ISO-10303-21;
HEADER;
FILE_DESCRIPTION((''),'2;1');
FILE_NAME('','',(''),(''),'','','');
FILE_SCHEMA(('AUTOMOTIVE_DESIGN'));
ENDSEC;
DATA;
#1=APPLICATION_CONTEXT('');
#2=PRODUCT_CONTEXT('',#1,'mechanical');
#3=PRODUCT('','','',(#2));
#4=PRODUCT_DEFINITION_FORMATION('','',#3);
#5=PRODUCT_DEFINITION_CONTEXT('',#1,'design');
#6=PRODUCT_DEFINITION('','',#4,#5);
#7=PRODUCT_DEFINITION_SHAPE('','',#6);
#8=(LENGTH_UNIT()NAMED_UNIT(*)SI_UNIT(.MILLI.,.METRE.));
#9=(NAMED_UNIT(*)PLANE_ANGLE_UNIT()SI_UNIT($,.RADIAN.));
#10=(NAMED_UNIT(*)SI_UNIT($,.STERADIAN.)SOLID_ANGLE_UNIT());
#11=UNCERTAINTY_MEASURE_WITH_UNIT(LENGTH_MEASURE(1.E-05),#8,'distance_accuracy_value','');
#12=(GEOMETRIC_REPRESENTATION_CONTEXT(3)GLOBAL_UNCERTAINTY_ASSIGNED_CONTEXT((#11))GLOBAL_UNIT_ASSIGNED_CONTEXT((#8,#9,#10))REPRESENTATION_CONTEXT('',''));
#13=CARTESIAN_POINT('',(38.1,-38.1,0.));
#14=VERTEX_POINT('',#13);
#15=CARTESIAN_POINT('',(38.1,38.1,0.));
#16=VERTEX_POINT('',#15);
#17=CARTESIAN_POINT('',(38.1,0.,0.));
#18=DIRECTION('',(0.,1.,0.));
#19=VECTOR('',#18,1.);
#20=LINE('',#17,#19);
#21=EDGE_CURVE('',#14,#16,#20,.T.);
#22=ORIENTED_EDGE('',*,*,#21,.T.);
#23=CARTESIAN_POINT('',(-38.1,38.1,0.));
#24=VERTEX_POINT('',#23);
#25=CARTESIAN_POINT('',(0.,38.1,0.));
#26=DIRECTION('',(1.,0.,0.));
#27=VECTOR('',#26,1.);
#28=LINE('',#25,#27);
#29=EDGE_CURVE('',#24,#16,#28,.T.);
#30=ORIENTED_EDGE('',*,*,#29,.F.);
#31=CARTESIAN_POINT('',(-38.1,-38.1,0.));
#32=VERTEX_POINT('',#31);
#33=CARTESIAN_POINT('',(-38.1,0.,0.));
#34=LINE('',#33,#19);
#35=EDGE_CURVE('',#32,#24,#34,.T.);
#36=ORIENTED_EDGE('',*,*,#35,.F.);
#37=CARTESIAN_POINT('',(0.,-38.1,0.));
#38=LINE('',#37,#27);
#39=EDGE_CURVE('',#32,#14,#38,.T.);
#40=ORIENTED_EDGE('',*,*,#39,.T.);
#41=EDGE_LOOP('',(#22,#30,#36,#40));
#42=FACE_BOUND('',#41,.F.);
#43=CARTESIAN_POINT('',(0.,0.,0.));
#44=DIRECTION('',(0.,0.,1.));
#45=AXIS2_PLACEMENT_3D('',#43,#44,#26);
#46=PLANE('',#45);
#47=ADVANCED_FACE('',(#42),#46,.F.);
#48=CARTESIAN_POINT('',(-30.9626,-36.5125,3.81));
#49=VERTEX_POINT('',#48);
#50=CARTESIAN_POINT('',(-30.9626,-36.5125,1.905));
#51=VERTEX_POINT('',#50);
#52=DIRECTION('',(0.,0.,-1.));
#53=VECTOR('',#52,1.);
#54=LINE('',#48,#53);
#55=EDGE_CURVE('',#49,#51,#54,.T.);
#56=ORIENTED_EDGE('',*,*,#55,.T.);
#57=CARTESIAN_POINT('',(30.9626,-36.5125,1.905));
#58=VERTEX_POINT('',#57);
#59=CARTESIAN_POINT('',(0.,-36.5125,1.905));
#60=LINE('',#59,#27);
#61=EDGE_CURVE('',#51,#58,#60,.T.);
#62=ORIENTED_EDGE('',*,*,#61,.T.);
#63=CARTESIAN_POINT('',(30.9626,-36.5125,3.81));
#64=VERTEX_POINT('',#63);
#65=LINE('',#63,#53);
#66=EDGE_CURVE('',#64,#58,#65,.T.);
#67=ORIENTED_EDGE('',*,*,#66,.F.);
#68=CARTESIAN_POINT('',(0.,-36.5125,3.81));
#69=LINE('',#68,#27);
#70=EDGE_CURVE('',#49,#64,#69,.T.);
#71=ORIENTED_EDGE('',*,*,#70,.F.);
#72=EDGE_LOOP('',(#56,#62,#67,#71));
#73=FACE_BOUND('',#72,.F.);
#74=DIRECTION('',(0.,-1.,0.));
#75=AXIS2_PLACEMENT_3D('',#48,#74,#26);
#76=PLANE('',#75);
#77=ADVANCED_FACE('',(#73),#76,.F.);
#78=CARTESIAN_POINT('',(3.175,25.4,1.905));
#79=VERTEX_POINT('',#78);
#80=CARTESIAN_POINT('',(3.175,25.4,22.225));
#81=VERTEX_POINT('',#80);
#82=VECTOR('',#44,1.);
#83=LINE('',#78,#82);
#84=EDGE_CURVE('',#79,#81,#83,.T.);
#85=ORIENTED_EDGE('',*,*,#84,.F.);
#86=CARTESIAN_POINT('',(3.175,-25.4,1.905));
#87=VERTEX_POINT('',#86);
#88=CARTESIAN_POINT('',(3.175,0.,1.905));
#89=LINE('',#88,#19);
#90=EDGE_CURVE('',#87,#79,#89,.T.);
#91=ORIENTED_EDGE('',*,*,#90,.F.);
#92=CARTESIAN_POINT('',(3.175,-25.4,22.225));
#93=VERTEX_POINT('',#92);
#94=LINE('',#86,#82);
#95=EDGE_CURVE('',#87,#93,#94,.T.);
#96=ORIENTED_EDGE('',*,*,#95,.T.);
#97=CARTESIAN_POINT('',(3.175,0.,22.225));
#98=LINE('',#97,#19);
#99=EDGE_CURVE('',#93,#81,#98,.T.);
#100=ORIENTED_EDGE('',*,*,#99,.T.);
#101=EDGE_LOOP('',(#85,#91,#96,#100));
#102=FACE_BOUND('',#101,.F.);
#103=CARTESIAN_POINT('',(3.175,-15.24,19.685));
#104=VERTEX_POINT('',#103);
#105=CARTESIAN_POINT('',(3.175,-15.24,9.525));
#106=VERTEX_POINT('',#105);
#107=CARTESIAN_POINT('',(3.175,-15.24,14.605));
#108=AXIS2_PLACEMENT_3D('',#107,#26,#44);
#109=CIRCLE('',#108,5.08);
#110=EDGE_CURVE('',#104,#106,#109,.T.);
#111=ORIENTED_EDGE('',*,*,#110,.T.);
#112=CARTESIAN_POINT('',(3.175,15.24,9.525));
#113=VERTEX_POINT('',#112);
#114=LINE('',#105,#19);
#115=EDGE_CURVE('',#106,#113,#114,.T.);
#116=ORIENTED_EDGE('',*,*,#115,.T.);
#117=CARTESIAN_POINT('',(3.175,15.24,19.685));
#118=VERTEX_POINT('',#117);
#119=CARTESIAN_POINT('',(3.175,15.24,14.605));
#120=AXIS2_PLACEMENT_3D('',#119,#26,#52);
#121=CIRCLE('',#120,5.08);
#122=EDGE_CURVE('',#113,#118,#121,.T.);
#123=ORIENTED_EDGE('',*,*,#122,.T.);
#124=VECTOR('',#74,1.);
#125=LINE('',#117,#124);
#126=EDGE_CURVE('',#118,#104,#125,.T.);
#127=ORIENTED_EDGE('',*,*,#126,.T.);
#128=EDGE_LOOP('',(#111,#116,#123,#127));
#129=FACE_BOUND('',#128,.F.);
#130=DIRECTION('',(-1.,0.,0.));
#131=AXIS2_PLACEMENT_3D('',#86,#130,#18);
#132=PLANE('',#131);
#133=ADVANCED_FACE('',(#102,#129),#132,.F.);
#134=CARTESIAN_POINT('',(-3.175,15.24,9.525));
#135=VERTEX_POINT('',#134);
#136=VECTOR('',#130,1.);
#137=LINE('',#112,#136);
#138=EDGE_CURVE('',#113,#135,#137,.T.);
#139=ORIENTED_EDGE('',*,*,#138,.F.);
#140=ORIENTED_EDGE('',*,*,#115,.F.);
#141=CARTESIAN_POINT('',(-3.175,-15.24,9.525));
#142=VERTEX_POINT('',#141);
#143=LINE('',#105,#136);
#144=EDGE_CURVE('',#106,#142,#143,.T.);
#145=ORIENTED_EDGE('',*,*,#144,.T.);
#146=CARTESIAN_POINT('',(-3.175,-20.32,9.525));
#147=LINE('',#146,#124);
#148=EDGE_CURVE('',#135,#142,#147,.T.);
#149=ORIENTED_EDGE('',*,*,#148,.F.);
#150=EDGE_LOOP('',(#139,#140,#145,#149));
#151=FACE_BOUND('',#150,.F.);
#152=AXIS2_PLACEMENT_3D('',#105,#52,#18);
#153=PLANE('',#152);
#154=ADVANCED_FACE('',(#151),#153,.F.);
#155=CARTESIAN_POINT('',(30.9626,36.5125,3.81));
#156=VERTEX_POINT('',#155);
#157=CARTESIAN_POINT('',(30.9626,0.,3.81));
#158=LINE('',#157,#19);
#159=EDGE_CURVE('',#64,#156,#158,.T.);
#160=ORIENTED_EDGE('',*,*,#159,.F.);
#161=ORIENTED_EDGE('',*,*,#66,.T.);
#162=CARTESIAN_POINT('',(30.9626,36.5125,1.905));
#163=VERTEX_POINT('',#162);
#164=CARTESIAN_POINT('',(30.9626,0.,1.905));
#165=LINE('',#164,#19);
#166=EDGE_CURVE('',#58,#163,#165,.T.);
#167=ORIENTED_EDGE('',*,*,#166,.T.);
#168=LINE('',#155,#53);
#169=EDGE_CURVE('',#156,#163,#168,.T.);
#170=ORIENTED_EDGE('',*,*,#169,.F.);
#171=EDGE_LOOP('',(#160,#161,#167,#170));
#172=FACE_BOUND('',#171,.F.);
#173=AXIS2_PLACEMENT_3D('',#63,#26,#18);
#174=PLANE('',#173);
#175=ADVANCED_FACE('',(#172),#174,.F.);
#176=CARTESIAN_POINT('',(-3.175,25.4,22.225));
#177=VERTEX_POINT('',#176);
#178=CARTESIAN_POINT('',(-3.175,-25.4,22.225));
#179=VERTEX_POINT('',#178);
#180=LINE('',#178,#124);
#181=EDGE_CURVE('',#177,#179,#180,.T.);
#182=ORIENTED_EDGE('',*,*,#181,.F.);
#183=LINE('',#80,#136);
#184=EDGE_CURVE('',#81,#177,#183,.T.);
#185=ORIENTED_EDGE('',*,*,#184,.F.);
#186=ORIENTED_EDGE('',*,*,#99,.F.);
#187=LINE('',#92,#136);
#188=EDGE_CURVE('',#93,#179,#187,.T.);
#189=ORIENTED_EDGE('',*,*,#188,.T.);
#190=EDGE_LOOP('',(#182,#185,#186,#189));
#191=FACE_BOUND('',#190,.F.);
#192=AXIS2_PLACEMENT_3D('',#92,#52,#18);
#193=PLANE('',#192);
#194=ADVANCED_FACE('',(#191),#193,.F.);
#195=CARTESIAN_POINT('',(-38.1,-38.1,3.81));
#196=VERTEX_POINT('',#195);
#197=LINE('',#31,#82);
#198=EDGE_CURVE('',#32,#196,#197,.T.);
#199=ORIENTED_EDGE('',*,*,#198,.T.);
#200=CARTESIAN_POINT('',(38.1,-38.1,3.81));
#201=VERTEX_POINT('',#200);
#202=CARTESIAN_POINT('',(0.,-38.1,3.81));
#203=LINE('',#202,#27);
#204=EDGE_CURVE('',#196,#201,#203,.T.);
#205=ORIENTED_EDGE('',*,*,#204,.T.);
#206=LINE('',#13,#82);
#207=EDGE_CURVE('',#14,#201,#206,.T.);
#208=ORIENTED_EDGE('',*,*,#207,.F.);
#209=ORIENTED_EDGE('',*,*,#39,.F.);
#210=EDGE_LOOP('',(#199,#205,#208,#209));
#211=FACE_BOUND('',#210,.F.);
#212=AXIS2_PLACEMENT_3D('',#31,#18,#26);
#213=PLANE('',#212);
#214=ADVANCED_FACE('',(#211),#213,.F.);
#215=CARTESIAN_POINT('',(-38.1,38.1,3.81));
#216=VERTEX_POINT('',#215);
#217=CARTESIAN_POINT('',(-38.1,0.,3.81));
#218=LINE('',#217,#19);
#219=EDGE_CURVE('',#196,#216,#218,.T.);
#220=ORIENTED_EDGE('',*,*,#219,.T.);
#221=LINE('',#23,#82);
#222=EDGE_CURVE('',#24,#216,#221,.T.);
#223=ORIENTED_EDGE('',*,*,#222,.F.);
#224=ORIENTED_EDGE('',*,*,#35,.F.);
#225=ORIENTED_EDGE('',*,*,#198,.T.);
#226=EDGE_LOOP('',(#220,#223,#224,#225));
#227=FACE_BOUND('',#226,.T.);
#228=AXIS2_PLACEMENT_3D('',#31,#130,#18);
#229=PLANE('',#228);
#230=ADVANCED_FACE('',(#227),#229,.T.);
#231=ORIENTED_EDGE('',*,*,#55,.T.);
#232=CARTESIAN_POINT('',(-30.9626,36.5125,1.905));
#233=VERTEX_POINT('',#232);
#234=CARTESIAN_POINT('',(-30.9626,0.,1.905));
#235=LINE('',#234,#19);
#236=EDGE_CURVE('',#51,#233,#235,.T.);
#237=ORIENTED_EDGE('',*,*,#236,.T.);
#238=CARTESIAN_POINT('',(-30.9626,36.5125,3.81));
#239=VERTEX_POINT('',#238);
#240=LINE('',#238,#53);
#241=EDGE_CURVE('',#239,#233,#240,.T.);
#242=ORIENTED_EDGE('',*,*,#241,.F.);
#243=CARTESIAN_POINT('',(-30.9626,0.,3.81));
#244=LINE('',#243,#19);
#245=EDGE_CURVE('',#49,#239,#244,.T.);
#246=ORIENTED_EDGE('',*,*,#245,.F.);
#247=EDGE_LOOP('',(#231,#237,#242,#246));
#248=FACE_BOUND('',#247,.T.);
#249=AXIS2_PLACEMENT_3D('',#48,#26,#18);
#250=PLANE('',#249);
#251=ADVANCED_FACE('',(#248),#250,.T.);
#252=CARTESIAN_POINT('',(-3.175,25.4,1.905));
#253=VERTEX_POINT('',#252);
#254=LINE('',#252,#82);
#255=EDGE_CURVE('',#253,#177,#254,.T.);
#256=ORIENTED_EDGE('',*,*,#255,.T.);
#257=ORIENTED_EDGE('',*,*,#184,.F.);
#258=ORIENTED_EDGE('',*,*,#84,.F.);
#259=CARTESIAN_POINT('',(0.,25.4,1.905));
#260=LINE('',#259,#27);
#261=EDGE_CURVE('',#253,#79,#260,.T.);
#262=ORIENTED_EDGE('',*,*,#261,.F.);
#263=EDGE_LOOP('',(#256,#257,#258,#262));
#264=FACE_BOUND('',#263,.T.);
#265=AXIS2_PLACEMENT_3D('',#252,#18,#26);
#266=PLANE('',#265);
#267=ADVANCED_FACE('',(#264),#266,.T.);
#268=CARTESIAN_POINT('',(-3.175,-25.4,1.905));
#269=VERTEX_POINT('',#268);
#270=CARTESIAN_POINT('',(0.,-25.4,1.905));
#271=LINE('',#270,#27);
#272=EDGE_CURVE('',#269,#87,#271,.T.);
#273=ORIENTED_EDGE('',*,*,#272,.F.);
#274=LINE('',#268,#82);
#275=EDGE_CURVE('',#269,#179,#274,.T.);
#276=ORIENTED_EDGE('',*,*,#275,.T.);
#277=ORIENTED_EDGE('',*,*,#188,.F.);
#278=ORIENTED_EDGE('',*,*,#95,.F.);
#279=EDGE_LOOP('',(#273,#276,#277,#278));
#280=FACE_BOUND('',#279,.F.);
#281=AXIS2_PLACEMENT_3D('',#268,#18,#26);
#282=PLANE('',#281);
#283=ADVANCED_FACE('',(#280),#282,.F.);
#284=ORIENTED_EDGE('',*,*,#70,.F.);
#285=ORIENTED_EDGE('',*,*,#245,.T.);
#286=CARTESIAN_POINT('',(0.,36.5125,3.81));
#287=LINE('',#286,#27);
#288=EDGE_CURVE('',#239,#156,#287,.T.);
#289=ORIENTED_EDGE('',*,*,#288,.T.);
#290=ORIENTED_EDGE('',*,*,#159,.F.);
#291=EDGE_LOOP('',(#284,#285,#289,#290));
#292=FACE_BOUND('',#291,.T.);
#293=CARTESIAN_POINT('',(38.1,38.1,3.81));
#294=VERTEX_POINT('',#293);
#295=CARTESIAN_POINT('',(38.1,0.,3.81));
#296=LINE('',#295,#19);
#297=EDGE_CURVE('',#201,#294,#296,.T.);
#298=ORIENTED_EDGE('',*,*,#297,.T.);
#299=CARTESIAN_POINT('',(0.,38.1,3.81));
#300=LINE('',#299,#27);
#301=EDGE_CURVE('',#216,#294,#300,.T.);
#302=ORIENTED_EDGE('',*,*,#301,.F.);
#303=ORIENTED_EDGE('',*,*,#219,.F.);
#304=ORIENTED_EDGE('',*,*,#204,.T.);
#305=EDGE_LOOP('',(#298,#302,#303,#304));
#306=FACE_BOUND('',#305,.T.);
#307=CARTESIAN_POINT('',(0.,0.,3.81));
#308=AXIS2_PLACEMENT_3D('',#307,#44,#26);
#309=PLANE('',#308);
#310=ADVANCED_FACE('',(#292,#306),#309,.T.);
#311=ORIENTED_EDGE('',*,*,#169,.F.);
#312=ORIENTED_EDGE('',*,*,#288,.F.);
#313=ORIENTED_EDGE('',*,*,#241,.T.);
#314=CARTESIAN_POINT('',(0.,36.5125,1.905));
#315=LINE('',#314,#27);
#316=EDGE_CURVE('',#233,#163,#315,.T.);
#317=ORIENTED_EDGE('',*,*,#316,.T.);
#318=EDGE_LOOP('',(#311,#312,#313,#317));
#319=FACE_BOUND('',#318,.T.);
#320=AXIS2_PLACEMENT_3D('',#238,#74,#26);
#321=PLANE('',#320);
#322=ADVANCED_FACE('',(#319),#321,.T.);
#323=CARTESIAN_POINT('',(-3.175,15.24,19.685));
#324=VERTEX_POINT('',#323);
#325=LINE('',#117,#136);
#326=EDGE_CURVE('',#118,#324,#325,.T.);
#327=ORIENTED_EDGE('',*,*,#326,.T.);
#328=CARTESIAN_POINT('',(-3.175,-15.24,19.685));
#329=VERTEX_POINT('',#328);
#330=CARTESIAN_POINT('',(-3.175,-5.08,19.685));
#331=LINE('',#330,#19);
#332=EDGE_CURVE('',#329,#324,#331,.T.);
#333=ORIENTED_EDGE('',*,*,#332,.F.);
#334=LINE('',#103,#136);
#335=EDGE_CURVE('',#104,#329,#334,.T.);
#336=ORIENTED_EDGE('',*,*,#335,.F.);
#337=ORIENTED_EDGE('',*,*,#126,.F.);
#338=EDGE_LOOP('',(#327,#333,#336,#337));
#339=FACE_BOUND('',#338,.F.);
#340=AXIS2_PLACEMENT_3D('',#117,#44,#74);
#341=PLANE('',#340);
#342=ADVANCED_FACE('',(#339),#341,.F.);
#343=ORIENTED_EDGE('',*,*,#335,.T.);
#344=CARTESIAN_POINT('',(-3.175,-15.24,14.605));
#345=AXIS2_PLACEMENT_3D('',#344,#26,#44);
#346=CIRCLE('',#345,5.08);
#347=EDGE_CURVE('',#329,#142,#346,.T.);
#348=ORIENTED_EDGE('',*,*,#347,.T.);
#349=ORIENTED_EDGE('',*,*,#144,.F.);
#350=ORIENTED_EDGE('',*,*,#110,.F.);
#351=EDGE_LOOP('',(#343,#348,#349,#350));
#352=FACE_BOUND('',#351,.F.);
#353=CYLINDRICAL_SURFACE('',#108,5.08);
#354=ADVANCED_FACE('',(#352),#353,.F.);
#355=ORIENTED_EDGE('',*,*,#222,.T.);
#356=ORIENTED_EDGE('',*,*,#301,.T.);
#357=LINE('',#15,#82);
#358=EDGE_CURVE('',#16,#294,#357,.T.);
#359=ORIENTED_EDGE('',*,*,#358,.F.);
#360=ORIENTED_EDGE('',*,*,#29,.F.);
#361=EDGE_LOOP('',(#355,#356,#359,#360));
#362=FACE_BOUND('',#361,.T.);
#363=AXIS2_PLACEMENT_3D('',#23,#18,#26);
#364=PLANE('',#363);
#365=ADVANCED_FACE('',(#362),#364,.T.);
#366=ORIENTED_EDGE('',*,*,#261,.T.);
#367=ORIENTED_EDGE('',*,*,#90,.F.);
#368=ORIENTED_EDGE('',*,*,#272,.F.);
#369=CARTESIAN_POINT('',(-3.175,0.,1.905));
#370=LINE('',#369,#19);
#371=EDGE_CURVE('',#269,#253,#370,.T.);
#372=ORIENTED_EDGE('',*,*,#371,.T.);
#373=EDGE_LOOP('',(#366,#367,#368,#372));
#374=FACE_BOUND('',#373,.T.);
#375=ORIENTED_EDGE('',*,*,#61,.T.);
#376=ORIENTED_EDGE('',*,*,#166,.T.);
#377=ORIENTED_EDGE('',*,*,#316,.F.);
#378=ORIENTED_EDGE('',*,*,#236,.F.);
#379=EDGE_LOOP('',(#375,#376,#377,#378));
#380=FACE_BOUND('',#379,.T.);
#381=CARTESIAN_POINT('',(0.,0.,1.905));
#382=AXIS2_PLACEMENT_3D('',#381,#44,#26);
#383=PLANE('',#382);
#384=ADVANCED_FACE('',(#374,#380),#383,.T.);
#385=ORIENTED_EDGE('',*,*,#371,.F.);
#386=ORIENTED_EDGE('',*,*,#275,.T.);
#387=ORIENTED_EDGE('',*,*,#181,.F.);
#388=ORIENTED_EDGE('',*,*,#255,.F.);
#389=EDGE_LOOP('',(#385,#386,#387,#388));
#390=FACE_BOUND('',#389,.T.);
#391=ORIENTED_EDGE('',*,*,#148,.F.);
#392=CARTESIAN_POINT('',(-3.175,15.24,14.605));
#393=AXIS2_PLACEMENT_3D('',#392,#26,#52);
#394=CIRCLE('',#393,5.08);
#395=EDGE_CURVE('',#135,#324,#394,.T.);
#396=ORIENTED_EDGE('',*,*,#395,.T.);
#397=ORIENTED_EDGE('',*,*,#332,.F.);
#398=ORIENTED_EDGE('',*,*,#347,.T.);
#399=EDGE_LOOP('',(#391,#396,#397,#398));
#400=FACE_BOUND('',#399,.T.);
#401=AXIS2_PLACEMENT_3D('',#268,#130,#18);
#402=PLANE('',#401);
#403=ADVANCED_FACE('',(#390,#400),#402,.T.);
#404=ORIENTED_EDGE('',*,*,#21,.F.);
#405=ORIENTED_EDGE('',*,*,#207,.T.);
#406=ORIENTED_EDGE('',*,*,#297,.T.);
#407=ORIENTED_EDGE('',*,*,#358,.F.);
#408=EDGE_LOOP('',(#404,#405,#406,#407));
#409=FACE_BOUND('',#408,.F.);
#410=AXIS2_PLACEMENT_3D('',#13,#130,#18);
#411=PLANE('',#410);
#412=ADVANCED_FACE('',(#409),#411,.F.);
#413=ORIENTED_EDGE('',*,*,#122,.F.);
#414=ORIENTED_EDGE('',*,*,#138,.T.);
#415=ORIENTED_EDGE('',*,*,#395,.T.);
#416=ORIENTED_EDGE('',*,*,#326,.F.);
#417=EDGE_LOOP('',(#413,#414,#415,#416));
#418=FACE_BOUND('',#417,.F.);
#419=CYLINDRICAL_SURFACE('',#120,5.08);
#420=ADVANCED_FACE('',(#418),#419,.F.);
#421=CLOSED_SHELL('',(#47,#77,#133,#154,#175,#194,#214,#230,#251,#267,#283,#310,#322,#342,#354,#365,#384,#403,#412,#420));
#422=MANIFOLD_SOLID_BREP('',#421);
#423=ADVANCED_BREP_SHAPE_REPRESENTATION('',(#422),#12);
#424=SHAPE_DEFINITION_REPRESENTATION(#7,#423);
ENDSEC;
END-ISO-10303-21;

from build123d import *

# Parameters (mm, degrees)
F0_W     = 76.2
F0_H     = 76.2
F1_DEPTH = 3.81
F2_W     = 61.9252
F2_H     = 73.025
F3_DEPTH = 1.905
F4_W     = 6.35
F4_H     = 50.8
F5_DEPTH = 25.4
F7_DEPTH = 25.4
F8_W     = 50.8
F8_H     = 5.08
F9_DEPTH = 25.4


with BuildPart() as f1:
    # F0 (on Top) → F1 (new body)
    with BuildSketch(Plane.XY):
        Rectangle(F0_W, F0_H)
    extrude(amount=F1_DEPTH)

    # F2 (on face) → F3 (cut)
    with BuildSketch(Plane.XY.offset(3.81)):
        Rectangle(F2_W, F2_H)
    extrude(amount=-F3_DEPTH, mode=Mode.SUBTRACT)

    # F4 (on face) → F5 (join)
    with BuildSketch(Plane.XY.offset(1.905)):
        Rectangle(F4_W, F4_H)
    extrude(amount=F5_DEPTH)

    # F6 (on face) → F7 (cut)
    with BuildSketch(Plane.YZ.offset(3.175)):
        with BuildLine():
            ThreePointArc((15.24, 9.525), (20.32, 14.605), (15.24, 19.685))
            Line((15.24, 19.685), (-15.24, 19.685))
            ThreePointArc((-15.24, 19.685), (-20.32, 14.605), (-15.24, 9.525))
            Line((-15.24, 9.525), (15.24, 9.525))
        make_face()
    extrude(amount=-F7_DEPTH, mode=Mode.SUBTRACT)

    # F8 (on face) → F9 (cut)
    with BuildSketch(Plane.YZ.offset(3.175)):
        with Locations((0, 24.765)):
            Rectangle(F8_W, F8_H)
    extrude(amount=-F9_DEPTH, mode=Mode.SUBTRACT)


solid = f1.part
